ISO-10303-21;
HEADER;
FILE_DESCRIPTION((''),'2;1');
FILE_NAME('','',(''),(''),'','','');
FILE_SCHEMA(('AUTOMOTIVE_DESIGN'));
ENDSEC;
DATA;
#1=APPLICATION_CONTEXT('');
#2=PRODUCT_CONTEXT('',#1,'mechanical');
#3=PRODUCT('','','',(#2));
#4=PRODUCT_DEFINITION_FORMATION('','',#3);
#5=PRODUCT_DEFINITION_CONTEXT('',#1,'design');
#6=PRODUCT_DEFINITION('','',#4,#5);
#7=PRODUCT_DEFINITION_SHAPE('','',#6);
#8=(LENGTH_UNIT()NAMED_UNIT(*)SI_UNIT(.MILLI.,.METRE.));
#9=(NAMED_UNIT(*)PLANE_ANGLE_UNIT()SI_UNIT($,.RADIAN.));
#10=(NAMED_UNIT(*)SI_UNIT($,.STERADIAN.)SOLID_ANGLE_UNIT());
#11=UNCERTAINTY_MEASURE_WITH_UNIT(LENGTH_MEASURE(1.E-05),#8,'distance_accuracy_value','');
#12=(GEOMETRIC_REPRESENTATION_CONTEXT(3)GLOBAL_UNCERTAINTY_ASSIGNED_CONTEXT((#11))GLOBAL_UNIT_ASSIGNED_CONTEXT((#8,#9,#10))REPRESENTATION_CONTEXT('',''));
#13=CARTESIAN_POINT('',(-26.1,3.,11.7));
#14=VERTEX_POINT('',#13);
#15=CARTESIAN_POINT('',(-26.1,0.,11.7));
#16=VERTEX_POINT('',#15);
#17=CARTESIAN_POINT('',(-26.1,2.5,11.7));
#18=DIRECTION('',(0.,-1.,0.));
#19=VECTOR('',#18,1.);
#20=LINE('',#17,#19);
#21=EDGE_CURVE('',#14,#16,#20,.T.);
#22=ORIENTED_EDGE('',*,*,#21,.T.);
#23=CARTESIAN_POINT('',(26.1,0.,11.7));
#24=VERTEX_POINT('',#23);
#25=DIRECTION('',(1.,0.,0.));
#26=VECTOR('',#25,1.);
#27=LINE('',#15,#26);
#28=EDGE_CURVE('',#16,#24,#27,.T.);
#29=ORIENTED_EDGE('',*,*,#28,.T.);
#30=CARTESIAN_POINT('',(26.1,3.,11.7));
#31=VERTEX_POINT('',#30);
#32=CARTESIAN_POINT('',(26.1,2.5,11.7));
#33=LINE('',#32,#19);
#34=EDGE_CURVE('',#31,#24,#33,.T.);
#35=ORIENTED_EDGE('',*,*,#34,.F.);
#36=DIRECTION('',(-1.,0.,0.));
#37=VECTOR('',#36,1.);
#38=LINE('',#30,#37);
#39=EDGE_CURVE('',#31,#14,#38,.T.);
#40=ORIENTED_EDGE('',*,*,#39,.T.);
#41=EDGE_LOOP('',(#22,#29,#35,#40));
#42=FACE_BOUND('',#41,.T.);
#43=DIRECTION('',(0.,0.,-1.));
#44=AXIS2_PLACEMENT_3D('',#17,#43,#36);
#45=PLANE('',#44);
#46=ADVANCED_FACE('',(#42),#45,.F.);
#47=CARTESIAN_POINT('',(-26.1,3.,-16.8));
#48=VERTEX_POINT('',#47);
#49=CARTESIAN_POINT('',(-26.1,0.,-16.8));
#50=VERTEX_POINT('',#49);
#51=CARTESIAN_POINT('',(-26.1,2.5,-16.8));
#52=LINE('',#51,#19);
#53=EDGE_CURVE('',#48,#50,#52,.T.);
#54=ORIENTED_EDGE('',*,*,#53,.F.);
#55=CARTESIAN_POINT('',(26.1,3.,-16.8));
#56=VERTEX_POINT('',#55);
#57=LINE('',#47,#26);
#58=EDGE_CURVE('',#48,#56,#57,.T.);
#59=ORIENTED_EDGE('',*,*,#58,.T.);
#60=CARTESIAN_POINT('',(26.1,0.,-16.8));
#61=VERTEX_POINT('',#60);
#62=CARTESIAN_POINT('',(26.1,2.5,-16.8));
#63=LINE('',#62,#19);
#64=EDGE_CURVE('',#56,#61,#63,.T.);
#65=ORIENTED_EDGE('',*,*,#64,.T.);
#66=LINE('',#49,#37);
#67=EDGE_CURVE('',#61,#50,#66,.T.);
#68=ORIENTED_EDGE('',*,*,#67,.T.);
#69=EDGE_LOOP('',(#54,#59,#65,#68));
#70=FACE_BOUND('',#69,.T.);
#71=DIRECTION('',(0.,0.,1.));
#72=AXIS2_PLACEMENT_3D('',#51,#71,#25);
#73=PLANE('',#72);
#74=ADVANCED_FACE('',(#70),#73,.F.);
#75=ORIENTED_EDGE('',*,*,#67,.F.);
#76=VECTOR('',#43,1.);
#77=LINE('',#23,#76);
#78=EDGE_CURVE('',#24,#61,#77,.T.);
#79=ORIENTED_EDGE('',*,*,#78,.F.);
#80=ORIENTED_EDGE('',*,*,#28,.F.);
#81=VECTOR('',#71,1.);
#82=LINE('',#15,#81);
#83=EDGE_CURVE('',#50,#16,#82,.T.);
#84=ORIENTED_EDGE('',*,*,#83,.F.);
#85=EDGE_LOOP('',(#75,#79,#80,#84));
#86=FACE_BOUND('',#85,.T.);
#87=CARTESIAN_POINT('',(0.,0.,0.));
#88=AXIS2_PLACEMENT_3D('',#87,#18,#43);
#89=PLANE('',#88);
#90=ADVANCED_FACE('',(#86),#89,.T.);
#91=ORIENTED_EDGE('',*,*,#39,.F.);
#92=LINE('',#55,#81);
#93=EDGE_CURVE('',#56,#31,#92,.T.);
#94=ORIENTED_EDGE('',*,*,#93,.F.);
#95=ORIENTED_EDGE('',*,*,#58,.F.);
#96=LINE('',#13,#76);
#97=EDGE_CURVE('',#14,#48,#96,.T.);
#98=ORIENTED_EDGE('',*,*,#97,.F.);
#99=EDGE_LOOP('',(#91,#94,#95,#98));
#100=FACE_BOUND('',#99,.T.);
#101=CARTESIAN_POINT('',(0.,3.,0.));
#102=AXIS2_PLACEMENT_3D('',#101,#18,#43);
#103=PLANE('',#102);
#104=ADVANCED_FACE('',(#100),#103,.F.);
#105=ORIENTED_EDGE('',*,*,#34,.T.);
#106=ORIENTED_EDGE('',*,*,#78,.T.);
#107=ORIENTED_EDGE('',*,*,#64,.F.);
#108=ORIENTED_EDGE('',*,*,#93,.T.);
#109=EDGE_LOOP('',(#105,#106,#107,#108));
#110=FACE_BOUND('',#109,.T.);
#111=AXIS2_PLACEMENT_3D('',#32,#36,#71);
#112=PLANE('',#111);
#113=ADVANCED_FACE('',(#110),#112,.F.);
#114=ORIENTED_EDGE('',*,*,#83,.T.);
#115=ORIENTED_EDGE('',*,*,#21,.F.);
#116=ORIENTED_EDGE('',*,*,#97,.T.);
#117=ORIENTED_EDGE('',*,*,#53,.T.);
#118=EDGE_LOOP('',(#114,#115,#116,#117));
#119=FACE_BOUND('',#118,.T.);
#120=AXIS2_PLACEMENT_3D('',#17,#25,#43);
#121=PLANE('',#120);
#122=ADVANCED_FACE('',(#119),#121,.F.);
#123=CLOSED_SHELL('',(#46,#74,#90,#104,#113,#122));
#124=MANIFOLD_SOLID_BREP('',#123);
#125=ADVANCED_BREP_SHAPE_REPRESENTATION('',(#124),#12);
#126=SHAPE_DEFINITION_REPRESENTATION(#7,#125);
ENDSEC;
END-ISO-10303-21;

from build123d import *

# Parameters (mm, degrees)
SKETCH1_W           = 52.2
SKETCH1_H           = 28.5
SKETCH1_R           = 1
SKETCH1_W_2         = 35.320636832
SKETCH1_H_2         = 5.8
BOSS_EXTRUDE1_DEPTH = 2.5
SKETCH2_W           = 52.2
SKETCH2_H           = 28.5
BOSS_EXTRUDE2_DEPTH = 3


with BuildPart() as part:
    # Sketch1 → Boss-Extrude1 (new body)
    with BuildSketch(Plane(origin=(0, 0, 0), x_dir=(1, 0, 0), z_dir=(0, 1, 0))):
        with Locations((0, 2.55)):
            Rectangle(SKETCH1_W, SKETCH1_H)
        with Locations((-22.8, -3.2)):
            Circle(SKETCH1_R, mode=Mode.SUBTRACT)
        with Locations((22.8, -3.2)):
            Circle(SKETCH1_R, mode=Mode.SUBTRACT)
        with Locations((22.8, 8.3)):
            Circle(SKETCH1_R, mode=Mode.SUBTRACT)
        with Locations((-22.8, 8.3)):
            Circle(SKETCH1_R, mode=Mode.SUBTRACT)
        with Locations((0, -4.8)):
            Rectangle(SKETCH1_W_2, SKETCH1_H_2, mode=Mode.SUBTRACT)
        with Locations((0, 9.9)):
            Rectangle(SKETCH1_W_2, SKETCH1_H_2, mode=Mode.SUBTRACT)
    extrude(amount=BOSS_EXTRUDE1_DEPTH)

    # Sketch2 → Boss-Extrude2 (add)
    with BuildSketch(Plane.XZ):
        with Locations((0, -2.55)):
            Rectangle(SKETCH2_W, SKETCH2_H)
    extrude(amount=-BOSS_EXTRUDE2_DEPTH)


solid = part.part
